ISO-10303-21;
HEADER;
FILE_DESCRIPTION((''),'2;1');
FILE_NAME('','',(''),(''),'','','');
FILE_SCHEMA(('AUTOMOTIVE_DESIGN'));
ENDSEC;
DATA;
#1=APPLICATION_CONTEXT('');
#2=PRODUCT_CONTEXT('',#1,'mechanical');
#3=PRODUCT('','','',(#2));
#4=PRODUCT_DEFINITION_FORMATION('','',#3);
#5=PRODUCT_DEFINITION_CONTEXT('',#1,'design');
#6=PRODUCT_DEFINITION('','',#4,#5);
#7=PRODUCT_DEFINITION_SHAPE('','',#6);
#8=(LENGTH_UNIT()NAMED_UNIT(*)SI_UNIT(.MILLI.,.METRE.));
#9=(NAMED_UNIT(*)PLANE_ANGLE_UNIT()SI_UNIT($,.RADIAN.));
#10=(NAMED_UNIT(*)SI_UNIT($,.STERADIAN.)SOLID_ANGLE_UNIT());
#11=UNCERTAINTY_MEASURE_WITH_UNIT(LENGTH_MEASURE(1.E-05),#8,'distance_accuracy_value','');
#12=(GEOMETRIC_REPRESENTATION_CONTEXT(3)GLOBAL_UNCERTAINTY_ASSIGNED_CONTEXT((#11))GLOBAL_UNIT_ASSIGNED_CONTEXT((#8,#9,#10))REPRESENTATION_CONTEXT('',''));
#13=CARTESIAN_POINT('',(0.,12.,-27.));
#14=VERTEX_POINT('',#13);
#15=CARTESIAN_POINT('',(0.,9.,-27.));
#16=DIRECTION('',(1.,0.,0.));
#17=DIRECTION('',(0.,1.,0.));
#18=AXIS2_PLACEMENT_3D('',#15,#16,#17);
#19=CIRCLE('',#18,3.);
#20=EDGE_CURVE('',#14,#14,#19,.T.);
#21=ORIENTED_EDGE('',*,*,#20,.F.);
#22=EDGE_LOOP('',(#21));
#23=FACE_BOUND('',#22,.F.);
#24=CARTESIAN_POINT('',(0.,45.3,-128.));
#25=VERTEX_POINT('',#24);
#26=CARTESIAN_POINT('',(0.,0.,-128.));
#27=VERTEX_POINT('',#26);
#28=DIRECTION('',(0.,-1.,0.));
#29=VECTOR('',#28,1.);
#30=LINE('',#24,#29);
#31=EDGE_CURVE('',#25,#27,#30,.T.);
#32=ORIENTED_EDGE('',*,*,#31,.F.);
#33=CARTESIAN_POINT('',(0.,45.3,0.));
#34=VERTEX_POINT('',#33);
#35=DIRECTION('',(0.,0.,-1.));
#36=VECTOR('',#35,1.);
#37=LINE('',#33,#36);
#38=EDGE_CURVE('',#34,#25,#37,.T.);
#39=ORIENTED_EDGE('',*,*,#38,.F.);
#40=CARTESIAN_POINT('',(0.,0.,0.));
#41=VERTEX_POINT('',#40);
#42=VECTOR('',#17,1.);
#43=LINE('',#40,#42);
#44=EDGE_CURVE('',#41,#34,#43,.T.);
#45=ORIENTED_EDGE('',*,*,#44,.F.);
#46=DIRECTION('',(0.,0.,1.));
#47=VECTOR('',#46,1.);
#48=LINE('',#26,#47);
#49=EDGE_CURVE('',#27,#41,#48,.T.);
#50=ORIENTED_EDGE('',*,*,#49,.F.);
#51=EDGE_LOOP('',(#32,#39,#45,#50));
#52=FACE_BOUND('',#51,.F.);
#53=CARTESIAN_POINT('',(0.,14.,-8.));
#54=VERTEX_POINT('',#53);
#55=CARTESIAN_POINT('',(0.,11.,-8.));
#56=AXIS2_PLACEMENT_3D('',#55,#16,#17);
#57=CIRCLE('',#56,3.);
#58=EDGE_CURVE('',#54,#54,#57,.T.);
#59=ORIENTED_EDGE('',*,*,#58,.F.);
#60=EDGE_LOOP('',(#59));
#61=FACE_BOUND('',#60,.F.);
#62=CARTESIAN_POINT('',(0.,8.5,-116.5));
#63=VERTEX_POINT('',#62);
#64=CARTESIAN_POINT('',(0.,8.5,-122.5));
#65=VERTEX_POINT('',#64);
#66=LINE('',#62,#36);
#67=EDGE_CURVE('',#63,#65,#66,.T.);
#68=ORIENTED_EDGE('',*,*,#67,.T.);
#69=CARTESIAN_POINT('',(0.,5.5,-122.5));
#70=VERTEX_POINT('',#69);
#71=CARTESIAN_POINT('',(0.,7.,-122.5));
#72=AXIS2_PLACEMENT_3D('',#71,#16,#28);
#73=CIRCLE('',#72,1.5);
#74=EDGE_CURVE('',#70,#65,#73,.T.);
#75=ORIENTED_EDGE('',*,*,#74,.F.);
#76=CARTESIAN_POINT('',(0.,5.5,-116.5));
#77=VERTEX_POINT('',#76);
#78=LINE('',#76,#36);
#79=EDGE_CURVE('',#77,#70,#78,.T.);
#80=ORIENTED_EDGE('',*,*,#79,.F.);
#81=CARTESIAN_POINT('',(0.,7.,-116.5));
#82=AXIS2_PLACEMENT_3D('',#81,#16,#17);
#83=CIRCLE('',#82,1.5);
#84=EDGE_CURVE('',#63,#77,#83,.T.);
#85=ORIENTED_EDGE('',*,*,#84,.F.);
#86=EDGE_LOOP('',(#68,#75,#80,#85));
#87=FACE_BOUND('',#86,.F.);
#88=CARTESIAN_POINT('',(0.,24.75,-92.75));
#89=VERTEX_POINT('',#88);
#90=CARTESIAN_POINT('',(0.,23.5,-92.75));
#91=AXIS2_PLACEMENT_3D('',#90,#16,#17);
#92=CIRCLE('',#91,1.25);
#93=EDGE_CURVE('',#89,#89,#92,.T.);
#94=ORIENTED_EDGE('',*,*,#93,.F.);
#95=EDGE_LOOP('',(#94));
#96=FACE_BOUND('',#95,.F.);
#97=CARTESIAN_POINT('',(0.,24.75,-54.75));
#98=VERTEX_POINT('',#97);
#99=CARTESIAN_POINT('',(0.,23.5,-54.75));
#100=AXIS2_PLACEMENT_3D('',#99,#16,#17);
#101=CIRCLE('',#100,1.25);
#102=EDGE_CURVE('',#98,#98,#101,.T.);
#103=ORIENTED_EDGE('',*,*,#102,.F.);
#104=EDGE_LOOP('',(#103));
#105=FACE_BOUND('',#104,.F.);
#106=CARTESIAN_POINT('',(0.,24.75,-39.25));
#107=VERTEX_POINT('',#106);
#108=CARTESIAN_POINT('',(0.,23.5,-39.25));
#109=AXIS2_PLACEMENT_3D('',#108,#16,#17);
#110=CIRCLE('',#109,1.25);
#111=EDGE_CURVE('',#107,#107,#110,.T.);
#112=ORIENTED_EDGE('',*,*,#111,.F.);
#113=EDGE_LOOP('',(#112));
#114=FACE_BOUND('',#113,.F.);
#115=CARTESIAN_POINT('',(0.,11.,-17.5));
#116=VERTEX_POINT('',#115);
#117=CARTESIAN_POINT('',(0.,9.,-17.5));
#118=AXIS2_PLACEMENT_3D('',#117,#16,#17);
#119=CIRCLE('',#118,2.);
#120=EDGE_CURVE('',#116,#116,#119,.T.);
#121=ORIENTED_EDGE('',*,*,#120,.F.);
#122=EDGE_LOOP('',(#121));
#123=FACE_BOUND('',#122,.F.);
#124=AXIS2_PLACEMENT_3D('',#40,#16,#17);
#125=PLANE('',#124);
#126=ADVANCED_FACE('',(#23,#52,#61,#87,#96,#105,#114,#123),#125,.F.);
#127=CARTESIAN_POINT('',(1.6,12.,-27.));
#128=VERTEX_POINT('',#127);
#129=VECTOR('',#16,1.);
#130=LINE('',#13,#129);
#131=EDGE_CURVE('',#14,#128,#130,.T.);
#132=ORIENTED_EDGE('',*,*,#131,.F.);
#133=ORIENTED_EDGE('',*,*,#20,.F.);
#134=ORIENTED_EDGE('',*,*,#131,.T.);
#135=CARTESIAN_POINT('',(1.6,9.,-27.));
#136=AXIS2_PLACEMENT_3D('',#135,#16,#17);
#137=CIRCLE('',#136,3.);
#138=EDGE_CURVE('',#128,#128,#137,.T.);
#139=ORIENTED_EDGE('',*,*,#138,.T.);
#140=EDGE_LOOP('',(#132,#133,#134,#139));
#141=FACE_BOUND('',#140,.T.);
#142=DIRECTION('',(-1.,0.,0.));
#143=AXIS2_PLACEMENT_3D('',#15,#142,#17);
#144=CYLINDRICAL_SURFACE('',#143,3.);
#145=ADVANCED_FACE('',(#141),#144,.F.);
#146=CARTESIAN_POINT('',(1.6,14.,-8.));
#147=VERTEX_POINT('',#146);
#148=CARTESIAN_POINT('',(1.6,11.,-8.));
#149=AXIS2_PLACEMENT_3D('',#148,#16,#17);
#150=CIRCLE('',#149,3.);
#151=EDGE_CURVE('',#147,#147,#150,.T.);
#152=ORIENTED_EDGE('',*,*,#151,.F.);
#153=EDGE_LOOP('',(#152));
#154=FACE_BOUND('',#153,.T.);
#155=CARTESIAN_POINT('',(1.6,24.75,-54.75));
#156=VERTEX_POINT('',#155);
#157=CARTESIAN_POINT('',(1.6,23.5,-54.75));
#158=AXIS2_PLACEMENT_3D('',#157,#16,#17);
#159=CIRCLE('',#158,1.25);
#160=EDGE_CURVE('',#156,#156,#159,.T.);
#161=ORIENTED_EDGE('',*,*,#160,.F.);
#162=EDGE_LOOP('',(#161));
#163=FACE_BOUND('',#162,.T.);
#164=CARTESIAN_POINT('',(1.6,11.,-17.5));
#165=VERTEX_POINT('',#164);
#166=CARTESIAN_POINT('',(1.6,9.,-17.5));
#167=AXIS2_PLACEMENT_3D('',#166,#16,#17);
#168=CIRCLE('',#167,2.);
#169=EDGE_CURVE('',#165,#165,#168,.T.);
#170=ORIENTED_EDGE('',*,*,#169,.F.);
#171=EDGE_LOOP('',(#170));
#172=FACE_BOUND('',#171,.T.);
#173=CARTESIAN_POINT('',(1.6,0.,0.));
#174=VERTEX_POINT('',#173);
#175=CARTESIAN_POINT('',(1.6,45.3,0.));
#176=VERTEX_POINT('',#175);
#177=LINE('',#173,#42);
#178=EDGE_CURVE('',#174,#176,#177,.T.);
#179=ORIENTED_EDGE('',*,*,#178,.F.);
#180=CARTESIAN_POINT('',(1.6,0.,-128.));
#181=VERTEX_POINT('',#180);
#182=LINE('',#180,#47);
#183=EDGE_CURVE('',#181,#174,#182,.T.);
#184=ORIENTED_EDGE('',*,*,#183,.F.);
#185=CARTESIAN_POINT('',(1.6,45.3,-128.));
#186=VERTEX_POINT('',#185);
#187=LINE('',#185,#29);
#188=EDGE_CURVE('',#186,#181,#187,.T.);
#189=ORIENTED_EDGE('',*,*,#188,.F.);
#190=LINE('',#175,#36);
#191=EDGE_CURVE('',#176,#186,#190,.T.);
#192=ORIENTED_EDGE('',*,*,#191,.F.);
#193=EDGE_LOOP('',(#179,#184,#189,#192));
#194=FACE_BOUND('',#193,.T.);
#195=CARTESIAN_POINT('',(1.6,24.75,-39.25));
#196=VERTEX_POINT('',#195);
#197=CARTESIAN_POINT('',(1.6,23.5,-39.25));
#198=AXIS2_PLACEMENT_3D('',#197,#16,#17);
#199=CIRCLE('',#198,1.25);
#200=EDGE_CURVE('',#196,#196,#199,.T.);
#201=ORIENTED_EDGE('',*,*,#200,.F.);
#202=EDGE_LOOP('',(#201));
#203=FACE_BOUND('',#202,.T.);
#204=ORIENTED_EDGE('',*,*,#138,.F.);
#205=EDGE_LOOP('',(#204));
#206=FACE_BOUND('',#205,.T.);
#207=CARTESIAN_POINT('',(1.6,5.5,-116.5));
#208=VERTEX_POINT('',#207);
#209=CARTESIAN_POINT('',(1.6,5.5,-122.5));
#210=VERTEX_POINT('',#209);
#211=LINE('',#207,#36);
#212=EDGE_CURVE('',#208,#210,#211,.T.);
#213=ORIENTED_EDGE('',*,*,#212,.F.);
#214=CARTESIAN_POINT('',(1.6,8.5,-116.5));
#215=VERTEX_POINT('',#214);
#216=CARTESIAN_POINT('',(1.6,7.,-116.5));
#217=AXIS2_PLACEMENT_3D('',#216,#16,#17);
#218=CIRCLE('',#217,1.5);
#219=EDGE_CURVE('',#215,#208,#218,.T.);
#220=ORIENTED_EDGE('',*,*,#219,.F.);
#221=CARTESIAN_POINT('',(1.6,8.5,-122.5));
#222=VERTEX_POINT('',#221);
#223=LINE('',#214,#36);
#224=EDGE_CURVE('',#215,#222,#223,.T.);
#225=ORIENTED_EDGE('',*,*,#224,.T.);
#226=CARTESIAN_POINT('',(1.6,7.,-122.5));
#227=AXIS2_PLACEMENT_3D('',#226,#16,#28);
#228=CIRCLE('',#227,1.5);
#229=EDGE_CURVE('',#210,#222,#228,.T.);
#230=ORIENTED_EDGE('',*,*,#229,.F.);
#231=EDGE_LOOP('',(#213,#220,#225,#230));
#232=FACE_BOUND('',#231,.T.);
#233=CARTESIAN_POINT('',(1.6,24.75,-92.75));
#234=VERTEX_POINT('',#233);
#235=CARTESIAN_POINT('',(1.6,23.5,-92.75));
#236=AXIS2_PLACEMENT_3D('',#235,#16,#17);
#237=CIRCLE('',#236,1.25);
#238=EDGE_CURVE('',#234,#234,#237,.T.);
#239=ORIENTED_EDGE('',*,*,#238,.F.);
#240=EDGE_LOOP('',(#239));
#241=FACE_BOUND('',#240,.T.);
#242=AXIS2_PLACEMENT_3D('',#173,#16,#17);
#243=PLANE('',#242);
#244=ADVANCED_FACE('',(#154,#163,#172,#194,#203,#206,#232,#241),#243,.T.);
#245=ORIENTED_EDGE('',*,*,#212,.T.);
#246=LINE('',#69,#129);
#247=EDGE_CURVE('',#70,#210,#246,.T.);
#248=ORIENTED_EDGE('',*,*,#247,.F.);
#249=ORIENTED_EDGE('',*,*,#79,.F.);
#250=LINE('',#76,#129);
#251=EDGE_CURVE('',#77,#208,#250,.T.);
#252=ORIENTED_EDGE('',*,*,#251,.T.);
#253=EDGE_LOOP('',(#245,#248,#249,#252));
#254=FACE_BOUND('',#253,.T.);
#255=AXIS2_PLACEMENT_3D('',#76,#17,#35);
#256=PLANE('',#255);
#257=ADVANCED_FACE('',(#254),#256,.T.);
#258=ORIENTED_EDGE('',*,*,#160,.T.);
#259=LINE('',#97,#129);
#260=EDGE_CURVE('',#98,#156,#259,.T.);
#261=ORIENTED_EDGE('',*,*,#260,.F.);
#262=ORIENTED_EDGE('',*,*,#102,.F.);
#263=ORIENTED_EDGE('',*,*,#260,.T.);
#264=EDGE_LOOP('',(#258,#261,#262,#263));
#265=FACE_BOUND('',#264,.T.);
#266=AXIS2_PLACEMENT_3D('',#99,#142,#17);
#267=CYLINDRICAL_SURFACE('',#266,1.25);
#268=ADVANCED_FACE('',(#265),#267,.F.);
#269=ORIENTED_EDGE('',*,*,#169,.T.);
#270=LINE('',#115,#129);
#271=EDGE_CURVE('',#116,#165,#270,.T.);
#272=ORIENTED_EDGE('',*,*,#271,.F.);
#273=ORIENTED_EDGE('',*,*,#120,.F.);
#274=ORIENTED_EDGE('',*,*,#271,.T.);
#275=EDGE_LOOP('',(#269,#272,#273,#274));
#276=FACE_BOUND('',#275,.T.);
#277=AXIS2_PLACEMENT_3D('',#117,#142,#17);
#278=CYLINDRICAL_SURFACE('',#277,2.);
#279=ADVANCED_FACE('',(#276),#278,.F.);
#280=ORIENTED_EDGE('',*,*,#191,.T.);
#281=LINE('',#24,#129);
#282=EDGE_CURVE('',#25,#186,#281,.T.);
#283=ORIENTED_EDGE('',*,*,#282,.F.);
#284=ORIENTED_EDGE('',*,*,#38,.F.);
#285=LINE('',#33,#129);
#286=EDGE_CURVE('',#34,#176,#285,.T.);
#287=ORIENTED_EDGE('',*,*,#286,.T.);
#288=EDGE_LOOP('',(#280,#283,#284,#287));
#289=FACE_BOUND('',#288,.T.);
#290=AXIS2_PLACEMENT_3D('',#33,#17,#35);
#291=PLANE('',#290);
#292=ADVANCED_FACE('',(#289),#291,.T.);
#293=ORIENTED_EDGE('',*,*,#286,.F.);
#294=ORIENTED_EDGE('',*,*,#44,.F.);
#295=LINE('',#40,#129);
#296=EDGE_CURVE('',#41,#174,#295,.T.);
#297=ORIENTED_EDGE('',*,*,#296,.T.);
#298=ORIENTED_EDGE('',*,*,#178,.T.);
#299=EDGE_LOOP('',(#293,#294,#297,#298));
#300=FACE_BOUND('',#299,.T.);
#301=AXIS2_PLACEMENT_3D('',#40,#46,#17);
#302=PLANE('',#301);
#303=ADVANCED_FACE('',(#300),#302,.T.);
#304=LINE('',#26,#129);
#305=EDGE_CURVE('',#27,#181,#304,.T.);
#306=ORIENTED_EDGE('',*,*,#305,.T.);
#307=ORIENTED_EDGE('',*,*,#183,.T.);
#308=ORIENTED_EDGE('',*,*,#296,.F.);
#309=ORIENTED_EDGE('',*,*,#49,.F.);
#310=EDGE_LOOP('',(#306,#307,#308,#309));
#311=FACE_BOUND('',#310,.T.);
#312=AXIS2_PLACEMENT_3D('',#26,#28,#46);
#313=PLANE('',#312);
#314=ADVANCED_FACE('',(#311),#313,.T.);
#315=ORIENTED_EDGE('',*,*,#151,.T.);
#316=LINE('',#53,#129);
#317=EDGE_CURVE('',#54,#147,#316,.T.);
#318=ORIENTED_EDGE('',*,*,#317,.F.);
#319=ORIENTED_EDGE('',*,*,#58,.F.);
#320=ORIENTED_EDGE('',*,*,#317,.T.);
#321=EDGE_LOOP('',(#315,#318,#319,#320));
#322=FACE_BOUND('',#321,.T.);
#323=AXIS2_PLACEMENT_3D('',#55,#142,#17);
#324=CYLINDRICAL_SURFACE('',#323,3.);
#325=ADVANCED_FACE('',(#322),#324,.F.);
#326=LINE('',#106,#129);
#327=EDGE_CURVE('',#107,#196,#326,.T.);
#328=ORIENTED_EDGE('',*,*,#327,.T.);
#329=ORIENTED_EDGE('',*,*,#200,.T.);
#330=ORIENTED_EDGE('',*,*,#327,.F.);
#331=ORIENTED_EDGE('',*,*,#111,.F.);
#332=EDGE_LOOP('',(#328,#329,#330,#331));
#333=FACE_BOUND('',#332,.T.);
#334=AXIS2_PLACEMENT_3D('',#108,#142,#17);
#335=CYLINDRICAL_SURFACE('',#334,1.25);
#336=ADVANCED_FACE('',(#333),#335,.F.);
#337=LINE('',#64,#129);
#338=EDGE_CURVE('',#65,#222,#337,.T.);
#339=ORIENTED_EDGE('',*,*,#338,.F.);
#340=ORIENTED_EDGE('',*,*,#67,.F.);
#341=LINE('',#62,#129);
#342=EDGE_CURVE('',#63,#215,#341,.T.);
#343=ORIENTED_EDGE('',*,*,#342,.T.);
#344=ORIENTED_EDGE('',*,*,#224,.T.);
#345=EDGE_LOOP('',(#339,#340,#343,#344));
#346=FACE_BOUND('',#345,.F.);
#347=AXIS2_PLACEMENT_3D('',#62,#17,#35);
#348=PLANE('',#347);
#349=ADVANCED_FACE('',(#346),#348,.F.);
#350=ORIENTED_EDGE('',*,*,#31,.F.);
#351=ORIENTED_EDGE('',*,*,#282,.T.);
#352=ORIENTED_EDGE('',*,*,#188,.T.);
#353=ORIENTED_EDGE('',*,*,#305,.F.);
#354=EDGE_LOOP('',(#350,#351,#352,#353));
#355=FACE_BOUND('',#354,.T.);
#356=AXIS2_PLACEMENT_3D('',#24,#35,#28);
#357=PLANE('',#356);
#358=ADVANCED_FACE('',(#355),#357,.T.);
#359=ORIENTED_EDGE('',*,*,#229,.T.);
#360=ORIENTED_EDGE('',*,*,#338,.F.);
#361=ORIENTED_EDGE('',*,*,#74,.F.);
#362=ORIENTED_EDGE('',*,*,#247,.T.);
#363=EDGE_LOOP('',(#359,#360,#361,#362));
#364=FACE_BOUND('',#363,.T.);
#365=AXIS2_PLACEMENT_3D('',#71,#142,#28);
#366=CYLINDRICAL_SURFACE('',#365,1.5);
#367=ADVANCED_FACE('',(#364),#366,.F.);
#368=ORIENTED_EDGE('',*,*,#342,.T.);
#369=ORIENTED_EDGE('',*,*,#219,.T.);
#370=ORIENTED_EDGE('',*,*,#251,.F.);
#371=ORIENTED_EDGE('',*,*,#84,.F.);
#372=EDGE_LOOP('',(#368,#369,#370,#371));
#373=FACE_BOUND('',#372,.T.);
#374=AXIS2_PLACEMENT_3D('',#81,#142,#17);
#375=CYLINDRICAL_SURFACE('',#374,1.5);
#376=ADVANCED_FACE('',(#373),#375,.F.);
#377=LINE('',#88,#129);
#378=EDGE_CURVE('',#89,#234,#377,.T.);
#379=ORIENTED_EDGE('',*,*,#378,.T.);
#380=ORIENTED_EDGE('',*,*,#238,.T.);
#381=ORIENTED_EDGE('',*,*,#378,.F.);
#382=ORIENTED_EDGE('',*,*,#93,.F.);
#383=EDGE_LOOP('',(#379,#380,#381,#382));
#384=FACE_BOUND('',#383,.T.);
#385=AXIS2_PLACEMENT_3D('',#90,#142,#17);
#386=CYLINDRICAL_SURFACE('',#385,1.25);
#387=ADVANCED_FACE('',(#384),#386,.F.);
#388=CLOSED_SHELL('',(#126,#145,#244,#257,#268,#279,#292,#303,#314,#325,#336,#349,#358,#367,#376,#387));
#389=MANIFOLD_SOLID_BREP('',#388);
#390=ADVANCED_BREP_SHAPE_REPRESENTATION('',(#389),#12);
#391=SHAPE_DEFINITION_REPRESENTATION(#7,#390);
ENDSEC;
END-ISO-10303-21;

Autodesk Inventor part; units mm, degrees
ref_plane "YZ Plane" through (0, 0, 0) normal (1, 0, 0) x (0, 1, 0)
ref_plane "XZ Plane" through (0, 0, 0) normal (0, 1, 0) x (-1, 0, 0)
ref_plane "XY Plane" through (0, 0, 0) normal (0, 0, 1) x (1, 0, 0)
sketch "Sketch1" plane through (0, 0, 0) normal (1, 0, 0) x (0, 1, 0)
  line L0 (0, 0) -> (45.3, 0)
  line L1 (45.3, 0) -> (45.3, -128)
  line L2 (45.3, -128) -> (0, -128)
  line L3 (0, -128) -> (0, 0)
  circle A0 centre (11, -8) radius 3
  circle A1 centre (9, -17.5) radius 2
  circle A2 centre (9, -27) radius 3
  circle A3 centre (23.5, -39.25) radius 1.25
  circle A4 centre (23.5, -54.75) radius 1.25
  circle A5 centre (23.5, -92.75) radius 1.25
  line L4 (5.5, -115) -> (8.5, -115) construction
  line L5 (8.5, -115) -> (8.5, -124) construction
  line L6 (8.5, -124) -> (5.5, -124) construction
  line L7 (5.5, -124) -> (5.5, -115) construction
  line L8 (5.5, -116.5) -> (5.5, -122.5)
  line L9 (8.5, -116.5) -> (8.5, -122.5)
  arc A6 (8.5, -116.5) -> (5.5, -116.5) centre (7, -116.5) ccw
  arc A7 (5.5, -122.5) -> (8.5, -122.5) centre (7, -122.5) ccw
  dimension "d0" = 45.3
  dimension "d1" = 128
  dimension "d2" = 6
  dimension "d3" = 4
  dimension "d4" = 6
  dimension "d5" = 8
  dimension "d6" = 17.5
  dimension "d7" = 27
  dimension "d8" = 11
  dimension "d9" = 9
  dimension "d10" = 9
  dimension "d11" = 2.5
  dimension "d12" = 39.25
  dimension "d13" = 23.5
  dimension "d14" = 2.5
  dimension "d15" = 54.75
  dimension "d16" = 23.5
  dimension "d17" = 2.5
  dimension "d18" = 23.5
  dimension "d19" = 92.75
  dimension "d20" = 3
  dimension "d21" = 9
  dimension "d22" = 115
  dimension "d23" = 5.5
  dimension "d27" = 6
  dimension "d28" = 1.5
  dimension "d29" = 6
extrude "Extrusion2" add sketch "Sketch1" along normal blind 1.6
properties part number "BackPanel"
